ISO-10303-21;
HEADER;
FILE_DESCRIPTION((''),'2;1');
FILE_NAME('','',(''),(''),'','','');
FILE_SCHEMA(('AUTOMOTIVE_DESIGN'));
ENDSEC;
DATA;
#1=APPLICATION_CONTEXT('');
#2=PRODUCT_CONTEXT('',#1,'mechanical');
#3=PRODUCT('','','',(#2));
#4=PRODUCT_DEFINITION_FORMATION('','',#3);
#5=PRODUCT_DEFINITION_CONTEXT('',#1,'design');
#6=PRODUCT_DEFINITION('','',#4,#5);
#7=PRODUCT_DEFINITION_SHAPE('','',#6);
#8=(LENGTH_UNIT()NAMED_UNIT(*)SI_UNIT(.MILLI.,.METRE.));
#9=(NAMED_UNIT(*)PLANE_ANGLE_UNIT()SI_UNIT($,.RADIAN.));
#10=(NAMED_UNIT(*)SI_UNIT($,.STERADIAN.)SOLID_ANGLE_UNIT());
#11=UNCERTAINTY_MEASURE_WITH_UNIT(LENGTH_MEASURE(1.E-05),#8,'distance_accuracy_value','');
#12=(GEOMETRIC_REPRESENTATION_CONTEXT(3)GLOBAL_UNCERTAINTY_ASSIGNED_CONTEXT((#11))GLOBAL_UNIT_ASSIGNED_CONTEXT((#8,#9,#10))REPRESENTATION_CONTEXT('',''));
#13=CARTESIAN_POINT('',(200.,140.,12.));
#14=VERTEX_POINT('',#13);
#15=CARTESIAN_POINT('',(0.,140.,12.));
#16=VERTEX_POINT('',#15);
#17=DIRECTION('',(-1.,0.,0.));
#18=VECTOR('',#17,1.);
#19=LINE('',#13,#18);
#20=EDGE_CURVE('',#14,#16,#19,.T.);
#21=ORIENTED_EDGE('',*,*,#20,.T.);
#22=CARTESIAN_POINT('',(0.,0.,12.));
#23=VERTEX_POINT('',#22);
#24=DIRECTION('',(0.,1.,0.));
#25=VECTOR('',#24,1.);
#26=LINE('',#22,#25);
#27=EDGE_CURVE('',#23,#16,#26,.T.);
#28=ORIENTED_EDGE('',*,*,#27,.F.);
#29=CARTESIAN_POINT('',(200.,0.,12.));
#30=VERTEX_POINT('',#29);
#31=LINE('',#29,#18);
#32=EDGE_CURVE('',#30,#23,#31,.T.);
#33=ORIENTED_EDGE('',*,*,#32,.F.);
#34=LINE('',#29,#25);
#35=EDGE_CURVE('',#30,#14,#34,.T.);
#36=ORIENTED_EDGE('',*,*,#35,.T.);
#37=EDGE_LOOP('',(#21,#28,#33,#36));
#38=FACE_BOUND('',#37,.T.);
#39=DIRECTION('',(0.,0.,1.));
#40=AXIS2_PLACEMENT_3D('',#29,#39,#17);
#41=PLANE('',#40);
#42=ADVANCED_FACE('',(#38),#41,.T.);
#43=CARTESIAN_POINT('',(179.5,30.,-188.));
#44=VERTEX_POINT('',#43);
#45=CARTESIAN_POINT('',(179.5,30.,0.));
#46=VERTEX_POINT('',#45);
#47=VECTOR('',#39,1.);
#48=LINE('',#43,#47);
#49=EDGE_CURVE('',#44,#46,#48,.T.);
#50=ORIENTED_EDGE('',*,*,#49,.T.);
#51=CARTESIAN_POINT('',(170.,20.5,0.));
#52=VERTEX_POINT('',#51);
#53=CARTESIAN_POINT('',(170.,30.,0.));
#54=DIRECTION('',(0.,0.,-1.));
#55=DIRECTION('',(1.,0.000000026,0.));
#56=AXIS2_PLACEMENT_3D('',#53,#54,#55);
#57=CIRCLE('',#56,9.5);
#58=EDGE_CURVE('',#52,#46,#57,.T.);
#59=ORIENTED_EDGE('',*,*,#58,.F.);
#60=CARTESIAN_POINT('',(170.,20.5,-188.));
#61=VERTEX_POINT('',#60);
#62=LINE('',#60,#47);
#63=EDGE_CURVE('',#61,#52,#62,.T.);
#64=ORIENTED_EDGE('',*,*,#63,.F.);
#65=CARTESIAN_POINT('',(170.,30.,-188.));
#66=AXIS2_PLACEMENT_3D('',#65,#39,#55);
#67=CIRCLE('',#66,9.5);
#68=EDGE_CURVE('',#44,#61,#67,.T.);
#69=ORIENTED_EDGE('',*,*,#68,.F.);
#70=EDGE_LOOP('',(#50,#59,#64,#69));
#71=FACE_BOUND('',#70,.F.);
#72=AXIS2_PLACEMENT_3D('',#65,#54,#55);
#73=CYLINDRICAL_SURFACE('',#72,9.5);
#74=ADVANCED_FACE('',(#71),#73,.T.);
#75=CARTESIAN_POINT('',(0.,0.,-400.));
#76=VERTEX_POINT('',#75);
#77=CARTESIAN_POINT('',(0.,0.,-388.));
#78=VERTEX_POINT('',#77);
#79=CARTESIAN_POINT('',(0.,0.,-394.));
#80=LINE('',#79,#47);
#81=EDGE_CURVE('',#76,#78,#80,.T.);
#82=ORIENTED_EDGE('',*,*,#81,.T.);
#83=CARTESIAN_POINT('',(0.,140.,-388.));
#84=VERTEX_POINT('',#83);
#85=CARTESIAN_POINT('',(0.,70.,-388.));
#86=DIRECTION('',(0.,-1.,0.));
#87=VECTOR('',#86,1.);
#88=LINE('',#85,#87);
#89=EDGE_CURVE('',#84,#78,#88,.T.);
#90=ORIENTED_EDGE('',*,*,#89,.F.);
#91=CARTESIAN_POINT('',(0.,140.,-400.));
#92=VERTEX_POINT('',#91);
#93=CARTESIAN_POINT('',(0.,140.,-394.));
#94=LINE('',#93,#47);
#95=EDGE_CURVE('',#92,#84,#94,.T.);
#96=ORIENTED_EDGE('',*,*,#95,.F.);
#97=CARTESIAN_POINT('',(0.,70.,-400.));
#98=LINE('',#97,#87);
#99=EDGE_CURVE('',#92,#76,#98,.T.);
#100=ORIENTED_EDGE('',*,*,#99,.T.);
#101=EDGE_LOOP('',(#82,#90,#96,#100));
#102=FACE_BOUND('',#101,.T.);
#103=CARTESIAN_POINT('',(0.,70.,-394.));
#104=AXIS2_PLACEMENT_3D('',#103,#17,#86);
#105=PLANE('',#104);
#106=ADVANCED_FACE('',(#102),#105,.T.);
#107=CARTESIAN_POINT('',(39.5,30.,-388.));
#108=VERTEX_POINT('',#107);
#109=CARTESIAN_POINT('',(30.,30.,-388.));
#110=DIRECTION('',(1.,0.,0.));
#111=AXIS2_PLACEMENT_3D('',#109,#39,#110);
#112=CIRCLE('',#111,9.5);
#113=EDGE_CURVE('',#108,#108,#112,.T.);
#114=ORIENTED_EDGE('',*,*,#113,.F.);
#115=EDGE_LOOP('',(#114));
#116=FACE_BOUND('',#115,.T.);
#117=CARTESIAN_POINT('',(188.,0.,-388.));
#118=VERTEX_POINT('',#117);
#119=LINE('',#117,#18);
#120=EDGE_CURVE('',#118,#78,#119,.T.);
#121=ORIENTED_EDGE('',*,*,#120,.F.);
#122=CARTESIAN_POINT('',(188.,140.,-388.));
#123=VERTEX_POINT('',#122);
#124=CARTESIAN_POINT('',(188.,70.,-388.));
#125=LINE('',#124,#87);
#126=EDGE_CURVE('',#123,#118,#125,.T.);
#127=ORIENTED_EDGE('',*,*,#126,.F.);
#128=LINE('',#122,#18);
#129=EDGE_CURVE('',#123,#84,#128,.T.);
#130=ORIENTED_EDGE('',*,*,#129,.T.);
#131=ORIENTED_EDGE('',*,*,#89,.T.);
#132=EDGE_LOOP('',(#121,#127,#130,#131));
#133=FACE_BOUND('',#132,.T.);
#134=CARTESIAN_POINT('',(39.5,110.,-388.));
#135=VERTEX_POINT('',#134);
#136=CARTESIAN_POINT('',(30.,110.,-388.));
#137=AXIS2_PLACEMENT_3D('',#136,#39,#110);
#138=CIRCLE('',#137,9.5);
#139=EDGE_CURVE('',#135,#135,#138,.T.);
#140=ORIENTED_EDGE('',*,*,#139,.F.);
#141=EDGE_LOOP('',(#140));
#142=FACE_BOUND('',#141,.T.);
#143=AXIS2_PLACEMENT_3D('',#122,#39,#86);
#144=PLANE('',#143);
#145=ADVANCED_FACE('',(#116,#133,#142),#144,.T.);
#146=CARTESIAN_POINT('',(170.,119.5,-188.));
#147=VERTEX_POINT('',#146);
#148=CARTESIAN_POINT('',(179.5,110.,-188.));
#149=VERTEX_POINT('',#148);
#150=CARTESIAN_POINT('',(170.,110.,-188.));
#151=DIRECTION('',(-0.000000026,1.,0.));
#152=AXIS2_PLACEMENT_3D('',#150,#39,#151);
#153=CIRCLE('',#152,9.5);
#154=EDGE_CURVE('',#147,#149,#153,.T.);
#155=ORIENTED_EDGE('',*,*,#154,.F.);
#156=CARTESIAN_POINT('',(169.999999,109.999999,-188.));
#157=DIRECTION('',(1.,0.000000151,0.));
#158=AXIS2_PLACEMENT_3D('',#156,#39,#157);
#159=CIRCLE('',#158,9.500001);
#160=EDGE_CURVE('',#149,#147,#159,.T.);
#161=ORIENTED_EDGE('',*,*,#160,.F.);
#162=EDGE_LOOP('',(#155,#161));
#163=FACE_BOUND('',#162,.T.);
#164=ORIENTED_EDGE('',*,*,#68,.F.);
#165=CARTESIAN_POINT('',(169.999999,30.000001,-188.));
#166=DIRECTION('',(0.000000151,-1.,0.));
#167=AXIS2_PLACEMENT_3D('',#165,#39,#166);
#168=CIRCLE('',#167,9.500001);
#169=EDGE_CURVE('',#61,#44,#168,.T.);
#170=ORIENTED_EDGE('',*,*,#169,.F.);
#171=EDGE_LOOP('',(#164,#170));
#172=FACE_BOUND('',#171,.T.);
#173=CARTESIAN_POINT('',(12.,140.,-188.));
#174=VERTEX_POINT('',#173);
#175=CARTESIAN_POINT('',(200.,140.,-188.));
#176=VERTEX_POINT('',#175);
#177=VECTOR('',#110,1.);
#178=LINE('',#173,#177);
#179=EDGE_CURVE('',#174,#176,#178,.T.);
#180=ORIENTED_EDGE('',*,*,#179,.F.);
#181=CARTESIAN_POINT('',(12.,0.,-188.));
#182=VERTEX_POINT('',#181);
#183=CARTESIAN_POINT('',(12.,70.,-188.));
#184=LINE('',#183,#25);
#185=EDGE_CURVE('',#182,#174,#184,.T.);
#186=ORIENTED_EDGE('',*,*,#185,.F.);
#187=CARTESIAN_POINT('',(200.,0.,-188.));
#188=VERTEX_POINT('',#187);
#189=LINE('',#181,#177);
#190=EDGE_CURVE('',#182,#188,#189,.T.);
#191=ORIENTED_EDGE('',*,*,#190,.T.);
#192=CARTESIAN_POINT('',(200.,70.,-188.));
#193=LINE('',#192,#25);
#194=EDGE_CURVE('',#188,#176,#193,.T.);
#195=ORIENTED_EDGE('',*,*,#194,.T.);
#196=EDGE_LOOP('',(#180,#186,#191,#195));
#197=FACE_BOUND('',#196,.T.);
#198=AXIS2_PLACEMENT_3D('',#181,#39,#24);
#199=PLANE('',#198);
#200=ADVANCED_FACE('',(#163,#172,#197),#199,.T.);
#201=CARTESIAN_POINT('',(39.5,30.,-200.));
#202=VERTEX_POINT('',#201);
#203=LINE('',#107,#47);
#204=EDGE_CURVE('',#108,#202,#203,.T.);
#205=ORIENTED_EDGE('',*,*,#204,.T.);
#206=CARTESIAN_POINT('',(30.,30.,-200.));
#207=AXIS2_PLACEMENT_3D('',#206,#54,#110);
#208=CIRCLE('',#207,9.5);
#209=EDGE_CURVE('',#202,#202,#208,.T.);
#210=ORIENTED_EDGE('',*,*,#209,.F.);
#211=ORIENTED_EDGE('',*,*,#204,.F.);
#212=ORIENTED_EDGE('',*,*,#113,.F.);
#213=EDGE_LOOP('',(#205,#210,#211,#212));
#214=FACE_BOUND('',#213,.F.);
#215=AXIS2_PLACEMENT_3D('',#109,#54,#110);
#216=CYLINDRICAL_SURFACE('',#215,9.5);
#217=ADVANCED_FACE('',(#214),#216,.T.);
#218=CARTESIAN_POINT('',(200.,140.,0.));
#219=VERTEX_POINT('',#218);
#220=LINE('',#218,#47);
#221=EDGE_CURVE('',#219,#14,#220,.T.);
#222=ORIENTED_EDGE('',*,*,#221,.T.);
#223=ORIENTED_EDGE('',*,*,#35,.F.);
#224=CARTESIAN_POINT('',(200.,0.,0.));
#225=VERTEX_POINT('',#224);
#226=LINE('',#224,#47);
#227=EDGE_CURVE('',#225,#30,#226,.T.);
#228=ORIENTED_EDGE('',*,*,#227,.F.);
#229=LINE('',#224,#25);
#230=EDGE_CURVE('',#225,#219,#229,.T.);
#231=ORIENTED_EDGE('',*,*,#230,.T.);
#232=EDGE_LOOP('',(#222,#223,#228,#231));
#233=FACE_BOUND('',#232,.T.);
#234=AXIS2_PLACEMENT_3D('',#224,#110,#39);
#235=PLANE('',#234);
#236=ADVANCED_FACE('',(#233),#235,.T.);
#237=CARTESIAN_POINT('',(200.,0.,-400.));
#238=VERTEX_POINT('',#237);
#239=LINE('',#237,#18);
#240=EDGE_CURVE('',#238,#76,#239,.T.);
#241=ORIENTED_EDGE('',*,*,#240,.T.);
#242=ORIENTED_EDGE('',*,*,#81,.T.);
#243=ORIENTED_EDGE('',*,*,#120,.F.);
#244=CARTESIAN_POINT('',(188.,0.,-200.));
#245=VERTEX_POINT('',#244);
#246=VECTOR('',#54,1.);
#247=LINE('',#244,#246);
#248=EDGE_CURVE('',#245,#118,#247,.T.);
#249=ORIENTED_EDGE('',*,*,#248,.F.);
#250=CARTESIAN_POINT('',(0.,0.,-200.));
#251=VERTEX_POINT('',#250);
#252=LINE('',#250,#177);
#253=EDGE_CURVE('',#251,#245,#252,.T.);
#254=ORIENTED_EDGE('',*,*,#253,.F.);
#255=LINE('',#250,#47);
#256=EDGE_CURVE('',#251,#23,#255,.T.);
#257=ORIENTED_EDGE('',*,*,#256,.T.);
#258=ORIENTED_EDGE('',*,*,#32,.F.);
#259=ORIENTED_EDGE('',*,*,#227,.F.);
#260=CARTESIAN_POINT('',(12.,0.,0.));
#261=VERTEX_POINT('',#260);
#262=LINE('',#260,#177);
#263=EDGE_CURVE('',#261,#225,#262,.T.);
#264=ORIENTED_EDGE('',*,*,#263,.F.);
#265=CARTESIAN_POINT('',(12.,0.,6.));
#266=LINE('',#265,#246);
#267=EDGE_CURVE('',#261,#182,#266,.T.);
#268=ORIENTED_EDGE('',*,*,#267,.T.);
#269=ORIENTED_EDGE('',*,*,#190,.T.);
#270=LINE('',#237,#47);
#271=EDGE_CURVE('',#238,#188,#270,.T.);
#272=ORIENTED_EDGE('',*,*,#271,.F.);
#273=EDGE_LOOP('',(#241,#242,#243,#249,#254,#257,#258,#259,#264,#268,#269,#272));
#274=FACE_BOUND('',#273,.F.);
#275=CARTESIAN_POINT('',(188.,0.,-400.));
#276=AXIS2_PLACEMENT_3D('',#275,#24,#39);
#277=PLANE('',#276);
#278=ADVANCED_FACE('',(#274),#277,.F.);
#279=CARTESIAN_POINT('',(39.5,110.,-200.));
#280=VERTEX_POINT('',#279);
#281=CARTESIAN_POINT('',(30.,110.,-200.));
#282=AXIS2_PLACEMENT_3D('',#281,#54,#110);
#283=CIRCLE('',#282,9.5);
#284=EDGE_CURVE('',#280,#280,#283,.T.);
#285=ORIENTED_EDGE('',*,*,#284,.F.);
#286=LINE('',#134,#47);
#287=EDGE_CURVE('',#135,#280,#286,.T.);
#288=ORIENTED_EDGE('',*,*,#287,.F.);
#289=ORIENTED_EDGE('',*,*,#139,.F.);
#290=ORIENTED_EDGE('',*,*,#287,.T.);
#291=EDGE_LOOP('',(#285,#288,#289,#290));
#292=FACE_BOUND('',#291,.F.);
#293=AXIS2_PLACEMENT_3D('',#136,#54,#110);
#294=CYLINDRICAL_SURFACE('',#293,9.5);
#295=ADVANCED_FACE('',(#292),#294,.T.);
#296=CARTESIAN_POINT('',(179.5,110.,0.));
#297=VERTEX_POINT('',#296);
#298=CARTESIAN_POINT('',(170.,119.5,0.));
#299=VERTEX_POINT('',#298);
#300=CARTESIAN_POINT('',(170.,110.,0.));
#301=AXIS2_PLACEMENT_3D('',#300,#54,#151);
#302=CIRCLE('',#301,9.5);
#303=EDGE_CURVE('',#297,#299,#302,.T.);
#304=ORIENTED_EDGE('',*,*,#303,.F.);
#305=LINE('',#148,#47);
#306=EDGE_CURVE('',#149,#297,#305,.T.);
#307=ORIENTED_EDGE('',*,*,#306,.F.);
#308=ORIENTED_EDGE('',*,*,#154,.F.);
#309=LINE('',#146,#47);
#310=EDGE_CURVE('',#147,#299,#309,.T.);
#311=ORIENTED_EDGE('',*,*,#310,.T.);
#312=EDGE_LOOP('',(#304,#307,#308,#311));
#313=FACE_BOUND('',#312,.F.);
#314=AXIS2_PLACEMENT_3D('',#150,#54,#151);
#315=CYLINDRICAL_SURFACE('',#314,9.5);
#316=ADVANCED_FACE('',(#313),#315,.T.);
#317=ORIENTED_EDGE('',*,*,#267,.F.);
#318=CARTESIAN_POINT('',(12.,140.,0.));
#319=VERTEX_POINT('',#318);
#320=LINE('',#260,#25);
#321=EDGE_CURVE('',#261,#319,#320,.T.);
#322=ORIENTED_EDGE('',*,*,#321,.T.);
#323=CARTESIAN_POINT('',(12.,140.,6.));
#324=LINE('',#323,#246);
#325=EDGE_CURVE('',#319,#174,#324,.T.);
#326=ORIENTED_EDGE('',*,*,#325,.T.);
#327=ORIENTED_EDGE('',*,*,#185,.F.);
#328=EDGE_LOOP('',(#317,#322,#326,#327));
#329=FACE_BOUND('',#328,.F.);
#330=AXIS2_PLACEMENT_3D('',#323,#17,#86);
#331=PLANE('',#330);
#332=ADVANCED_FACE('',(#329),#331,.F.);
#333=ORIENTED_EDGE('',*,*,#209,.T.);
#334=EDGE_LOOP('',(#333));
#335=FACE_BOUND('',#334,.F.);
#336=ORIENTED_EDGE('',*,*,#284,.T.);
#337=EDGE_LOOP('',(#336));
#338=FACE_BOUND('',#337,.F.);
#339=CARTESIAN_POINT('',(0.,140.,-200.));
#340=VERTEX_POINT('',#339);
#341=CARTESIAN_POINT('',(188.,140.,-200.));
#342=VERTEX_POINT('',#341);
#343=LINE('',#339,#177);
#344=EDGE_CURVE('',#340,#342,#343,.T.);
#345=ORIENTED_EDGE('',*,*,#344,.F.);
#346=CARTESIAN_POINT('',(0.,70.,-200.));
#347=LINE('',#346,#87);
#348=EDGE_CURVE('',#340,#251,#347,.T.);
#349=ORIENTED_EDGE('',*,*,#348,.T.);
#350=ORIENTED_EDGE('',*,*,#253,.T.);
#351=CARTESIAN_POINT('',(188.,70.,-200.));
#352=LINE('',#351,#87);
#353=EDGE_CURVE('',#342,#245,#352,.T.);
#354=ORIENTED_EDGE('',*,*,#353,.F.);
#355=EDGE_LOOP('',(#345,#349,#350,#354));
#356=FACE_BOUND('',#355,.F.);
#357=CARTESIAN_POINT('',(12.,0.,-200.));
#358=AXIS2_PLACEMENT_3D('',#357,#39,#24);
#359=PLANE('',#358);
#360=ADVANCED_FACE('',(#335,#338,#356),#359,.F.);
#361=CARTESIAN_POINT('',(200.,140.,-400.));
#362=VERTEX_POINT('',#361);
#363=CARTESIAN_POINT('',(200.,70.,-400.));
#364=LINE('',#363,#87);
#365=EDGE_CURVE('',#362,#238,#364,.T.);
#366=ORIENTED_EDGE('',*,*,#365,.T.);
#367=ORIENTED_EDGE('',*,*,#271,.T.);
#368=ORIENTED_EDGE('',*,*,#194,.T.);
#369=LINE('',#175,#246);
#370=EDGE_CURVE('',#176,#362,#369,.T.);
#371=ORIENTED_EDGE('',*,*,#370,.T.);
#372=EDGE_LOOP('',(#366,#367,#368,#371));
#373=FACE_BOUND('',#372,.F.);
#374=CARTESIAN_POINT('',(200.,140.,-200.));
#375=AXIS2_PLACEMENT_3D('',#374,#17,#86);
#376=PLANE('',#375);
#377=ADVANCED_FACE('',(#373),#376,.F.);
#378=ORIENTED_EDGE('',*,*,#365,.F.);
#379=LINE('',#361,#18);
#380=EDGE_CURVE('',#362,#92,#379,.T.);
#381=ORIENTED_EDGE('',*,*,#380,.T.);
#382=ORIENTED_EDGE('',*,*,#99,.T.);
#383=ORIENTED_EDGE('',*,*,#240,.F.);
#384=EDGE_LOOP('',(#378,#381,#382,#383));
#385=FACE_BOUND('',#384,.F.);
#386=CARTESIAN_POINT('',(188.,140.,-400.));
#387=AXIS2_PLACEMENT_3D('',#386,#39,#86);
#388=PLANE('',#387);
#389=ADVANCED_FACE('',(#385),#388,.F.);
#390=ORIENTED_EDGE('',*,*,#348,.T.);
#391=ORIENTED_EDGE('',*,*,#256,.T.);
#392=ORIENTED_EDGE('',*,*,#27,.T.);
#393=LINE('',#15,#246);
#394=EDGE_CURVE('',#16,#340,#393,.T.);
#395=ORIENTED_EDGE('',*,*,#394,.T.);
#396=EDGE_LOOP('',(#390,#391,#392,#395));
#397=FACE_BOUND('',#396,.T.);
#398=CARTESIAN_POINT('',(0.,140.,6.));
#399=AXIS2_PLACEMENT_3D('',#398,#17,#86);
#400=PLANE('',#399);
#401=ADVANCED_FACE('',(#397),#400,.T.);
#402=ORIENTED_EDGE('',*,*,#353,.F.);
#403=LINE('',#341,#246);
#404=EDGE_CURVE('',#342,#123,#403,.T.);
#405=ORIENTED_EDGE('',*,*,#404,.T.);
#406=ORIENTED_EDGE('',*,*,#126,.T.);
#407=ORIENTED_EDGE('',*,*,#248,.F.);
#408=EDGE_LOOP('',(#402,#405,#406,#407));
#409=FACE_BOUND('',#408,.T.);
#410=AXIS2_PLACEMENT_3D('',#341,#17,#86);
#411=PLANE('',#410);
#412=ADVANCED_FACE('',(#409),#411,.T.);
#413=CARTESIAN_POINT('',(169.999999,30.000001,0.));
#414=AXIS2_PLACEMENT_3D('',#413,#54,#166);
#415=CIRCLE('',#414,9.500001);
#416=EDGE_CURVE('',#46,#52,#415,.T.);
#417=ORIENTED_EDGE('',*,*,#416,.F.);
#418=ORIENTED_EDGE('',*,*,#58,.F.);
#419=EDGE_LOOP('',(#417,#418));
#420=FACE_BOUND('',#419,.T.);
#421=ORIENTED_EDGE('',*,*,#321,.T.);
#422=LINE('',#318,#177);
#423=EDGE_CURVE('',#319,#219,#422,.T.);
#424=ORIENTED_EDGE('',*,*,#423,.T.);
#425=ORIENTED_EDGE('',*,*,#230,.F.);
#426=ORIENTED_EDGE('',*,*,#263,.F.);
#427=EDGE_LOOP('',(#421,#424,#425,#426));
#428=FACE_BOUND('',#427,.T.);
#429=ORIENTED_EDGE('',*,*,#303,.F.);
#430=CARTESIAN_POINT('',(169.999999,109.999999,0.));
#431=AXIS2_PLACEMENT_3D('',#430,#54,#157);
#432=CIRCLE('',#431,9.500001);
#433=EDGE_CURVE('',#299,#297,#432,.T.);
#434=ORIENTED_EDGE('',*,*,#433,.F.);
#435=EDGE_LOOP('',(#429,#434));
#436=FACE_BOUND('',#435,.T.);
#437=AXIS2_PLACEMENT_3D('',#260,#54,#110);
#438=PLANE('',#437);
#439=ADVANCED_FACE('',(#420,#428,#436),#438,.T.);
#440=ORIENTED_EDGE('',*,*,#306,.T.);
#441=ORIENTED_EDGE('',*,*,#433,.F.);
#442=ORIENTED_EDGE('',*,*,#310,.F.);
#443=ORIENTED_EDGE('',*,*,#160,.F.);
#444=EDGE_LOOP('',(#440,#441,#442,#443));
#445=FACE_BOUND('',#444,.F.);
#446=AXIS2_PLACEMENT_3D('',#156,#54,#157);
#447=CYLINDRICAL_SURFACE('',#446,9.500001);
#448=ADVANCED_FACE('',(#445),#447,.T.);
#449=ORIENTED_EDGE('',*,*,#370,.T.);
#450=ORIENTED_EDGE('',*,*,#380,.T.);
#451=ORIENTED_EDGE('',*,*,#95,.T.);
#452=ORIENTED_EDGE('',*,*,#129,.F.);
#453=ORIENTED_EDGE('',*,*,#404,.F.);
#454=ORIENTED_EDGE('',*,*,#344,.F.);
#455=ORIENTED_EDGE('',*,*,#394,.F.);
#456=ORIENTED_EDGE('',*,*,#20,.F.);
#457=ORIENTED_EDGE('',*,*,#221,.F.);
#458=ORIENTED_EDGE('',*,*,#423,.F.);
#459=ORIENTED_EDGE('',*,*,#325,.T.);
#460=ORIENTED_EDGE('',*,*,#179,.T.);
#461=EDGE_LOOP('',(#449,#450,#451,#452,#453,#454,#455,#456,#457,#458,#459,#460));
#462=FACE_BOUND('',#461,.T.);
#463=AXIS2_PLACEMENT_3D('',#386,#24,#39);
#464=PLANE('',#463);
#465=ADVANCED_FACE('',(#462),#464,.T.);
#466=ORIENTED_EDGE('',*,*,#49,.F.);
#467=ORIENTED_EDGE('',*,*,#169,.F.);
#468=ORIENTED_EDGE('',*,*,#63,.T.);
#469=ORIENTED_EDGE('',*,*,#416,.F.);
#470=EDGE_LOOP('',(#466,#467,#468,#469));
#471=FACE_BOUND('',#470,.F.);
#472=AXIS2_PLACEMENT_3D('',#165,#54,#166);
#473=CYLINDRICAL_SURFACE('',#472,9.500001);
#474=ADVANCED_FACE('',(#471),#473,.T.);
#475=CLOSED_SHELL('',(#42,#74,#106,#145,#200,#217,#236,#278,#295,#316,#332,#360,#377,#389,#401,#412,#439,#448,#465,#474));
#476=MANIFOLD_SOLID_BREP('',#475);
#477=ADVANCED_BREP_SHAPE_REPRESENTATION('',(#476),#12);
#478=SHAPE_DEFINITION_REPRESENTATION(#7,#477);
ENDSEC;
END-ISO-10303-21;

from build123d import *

# Parameters (mm, degrees)
F1_DEPTH  = 140
F2_W      = 12
F2_H      = 140
F3_DEPTH  = 206
F4_W      = 140
F4_H      = 12
F5_DEPTH  = 188
F6_W      = 12
F6_H      = 140
F7_DEPTH  = 200
F8_W      = 140
F8_H      = 12
F9_DEPTH  = 188
F10_R     = 9.5
F11_DEPTH = 200
F13_DEPTH = 200


with BuildPart() as f1:
    # F0 (on Front) → F1 (new body)
    with BuildSketch(Plane.XZ):
        Polygon((12, 6), (12, 0), (200, 0), (200, 12), (0, 12), (0, 6), align=None)
    extrude(amount=-F1_DEPTH)

    # F2 (on face) → F3 (join)
    with BuildSketch(Plane(origin=(0, 0, 6), x_dir=(1, 0, 0), z_dir=(0, 0, -1))):
        with Locations((6, -70)):
            Rectangle(F2_W, F2_H)
    extrude(amount=F3_DEPTH)

    # F4 (on face) → F5 (join)
    with BuildSketch(Plane.YZ.offset(12)):
        with Locations((70, -194)):
            Rectangle(F4_W, F4_H)
    extrude(amount=F5_DEPTH)

    # F6 (on face) → F7 (join)
    with BuildSketch(Plane(origin=(0, 0, -200), x_dir=(1, 0, 0), z_dir=(0, 0, -1))):
        with Locations((194, -70)):
            Rectangle(F6_W, F6_H)
    extrude(amount=F7_DEPTH)

    # F8 (on face) → F9 (join)
    with BuildSketch(Plane(origin=(188, 0, 0), x_dir=(0, -1, 0), z_dir=(-1, 0, 0))):
        with Locations((-70, -394)):
            Rectangle(F8_W, F8_H)
    extrude(amount=F9_DEPTH)

    # F10 (on face) → F11 (join)
    with BuildSketch(Plane.XY.offset(-388)):
        with Locations((30, 30)):
            Circle(F10_R)
        with Locations((30, 110)):
            Circle(F10_R)
    extrude(amount=F11_DEPTH)

    # F12 (on face) → F13 (join)
    with BuildSketch(Plane.XY.offset(-188)):
        with BuildLine():
            ThreePointArc((179.5, 110), (176.717514, 116.717514), (170, 119.5))
            Line((170, 119.5), (170, 110))
            Line((170, 110), (179.5, 110))
        make_face()
        with BuildLine():
            Line((170, 110), (170, 119.5))
            ThreePointArc((170, 119.5), (163.282486, 103.282486), (179.5, 110))
            Line((179.5, 110), (170, 110))
        make_face()
        with BuildLine():
            ThreePointArc((170, 20.5), (176.717514, 23.282486), (179.5, 30))
            Line((179.5, 30), (170, 30))
            Line((170, 30), (170, 20.5))
        make_face()
        with BuildLine():
            Line((170, 30), (179.5, 30))
            ThreePointArc((179.5, 30), (163.282486, 36.717514), (170, 20.5))
            Line((170, 20.5), (170, 30))
        make_face()
    extrude(amount=F13_DEPTH)


solid = f1.part
